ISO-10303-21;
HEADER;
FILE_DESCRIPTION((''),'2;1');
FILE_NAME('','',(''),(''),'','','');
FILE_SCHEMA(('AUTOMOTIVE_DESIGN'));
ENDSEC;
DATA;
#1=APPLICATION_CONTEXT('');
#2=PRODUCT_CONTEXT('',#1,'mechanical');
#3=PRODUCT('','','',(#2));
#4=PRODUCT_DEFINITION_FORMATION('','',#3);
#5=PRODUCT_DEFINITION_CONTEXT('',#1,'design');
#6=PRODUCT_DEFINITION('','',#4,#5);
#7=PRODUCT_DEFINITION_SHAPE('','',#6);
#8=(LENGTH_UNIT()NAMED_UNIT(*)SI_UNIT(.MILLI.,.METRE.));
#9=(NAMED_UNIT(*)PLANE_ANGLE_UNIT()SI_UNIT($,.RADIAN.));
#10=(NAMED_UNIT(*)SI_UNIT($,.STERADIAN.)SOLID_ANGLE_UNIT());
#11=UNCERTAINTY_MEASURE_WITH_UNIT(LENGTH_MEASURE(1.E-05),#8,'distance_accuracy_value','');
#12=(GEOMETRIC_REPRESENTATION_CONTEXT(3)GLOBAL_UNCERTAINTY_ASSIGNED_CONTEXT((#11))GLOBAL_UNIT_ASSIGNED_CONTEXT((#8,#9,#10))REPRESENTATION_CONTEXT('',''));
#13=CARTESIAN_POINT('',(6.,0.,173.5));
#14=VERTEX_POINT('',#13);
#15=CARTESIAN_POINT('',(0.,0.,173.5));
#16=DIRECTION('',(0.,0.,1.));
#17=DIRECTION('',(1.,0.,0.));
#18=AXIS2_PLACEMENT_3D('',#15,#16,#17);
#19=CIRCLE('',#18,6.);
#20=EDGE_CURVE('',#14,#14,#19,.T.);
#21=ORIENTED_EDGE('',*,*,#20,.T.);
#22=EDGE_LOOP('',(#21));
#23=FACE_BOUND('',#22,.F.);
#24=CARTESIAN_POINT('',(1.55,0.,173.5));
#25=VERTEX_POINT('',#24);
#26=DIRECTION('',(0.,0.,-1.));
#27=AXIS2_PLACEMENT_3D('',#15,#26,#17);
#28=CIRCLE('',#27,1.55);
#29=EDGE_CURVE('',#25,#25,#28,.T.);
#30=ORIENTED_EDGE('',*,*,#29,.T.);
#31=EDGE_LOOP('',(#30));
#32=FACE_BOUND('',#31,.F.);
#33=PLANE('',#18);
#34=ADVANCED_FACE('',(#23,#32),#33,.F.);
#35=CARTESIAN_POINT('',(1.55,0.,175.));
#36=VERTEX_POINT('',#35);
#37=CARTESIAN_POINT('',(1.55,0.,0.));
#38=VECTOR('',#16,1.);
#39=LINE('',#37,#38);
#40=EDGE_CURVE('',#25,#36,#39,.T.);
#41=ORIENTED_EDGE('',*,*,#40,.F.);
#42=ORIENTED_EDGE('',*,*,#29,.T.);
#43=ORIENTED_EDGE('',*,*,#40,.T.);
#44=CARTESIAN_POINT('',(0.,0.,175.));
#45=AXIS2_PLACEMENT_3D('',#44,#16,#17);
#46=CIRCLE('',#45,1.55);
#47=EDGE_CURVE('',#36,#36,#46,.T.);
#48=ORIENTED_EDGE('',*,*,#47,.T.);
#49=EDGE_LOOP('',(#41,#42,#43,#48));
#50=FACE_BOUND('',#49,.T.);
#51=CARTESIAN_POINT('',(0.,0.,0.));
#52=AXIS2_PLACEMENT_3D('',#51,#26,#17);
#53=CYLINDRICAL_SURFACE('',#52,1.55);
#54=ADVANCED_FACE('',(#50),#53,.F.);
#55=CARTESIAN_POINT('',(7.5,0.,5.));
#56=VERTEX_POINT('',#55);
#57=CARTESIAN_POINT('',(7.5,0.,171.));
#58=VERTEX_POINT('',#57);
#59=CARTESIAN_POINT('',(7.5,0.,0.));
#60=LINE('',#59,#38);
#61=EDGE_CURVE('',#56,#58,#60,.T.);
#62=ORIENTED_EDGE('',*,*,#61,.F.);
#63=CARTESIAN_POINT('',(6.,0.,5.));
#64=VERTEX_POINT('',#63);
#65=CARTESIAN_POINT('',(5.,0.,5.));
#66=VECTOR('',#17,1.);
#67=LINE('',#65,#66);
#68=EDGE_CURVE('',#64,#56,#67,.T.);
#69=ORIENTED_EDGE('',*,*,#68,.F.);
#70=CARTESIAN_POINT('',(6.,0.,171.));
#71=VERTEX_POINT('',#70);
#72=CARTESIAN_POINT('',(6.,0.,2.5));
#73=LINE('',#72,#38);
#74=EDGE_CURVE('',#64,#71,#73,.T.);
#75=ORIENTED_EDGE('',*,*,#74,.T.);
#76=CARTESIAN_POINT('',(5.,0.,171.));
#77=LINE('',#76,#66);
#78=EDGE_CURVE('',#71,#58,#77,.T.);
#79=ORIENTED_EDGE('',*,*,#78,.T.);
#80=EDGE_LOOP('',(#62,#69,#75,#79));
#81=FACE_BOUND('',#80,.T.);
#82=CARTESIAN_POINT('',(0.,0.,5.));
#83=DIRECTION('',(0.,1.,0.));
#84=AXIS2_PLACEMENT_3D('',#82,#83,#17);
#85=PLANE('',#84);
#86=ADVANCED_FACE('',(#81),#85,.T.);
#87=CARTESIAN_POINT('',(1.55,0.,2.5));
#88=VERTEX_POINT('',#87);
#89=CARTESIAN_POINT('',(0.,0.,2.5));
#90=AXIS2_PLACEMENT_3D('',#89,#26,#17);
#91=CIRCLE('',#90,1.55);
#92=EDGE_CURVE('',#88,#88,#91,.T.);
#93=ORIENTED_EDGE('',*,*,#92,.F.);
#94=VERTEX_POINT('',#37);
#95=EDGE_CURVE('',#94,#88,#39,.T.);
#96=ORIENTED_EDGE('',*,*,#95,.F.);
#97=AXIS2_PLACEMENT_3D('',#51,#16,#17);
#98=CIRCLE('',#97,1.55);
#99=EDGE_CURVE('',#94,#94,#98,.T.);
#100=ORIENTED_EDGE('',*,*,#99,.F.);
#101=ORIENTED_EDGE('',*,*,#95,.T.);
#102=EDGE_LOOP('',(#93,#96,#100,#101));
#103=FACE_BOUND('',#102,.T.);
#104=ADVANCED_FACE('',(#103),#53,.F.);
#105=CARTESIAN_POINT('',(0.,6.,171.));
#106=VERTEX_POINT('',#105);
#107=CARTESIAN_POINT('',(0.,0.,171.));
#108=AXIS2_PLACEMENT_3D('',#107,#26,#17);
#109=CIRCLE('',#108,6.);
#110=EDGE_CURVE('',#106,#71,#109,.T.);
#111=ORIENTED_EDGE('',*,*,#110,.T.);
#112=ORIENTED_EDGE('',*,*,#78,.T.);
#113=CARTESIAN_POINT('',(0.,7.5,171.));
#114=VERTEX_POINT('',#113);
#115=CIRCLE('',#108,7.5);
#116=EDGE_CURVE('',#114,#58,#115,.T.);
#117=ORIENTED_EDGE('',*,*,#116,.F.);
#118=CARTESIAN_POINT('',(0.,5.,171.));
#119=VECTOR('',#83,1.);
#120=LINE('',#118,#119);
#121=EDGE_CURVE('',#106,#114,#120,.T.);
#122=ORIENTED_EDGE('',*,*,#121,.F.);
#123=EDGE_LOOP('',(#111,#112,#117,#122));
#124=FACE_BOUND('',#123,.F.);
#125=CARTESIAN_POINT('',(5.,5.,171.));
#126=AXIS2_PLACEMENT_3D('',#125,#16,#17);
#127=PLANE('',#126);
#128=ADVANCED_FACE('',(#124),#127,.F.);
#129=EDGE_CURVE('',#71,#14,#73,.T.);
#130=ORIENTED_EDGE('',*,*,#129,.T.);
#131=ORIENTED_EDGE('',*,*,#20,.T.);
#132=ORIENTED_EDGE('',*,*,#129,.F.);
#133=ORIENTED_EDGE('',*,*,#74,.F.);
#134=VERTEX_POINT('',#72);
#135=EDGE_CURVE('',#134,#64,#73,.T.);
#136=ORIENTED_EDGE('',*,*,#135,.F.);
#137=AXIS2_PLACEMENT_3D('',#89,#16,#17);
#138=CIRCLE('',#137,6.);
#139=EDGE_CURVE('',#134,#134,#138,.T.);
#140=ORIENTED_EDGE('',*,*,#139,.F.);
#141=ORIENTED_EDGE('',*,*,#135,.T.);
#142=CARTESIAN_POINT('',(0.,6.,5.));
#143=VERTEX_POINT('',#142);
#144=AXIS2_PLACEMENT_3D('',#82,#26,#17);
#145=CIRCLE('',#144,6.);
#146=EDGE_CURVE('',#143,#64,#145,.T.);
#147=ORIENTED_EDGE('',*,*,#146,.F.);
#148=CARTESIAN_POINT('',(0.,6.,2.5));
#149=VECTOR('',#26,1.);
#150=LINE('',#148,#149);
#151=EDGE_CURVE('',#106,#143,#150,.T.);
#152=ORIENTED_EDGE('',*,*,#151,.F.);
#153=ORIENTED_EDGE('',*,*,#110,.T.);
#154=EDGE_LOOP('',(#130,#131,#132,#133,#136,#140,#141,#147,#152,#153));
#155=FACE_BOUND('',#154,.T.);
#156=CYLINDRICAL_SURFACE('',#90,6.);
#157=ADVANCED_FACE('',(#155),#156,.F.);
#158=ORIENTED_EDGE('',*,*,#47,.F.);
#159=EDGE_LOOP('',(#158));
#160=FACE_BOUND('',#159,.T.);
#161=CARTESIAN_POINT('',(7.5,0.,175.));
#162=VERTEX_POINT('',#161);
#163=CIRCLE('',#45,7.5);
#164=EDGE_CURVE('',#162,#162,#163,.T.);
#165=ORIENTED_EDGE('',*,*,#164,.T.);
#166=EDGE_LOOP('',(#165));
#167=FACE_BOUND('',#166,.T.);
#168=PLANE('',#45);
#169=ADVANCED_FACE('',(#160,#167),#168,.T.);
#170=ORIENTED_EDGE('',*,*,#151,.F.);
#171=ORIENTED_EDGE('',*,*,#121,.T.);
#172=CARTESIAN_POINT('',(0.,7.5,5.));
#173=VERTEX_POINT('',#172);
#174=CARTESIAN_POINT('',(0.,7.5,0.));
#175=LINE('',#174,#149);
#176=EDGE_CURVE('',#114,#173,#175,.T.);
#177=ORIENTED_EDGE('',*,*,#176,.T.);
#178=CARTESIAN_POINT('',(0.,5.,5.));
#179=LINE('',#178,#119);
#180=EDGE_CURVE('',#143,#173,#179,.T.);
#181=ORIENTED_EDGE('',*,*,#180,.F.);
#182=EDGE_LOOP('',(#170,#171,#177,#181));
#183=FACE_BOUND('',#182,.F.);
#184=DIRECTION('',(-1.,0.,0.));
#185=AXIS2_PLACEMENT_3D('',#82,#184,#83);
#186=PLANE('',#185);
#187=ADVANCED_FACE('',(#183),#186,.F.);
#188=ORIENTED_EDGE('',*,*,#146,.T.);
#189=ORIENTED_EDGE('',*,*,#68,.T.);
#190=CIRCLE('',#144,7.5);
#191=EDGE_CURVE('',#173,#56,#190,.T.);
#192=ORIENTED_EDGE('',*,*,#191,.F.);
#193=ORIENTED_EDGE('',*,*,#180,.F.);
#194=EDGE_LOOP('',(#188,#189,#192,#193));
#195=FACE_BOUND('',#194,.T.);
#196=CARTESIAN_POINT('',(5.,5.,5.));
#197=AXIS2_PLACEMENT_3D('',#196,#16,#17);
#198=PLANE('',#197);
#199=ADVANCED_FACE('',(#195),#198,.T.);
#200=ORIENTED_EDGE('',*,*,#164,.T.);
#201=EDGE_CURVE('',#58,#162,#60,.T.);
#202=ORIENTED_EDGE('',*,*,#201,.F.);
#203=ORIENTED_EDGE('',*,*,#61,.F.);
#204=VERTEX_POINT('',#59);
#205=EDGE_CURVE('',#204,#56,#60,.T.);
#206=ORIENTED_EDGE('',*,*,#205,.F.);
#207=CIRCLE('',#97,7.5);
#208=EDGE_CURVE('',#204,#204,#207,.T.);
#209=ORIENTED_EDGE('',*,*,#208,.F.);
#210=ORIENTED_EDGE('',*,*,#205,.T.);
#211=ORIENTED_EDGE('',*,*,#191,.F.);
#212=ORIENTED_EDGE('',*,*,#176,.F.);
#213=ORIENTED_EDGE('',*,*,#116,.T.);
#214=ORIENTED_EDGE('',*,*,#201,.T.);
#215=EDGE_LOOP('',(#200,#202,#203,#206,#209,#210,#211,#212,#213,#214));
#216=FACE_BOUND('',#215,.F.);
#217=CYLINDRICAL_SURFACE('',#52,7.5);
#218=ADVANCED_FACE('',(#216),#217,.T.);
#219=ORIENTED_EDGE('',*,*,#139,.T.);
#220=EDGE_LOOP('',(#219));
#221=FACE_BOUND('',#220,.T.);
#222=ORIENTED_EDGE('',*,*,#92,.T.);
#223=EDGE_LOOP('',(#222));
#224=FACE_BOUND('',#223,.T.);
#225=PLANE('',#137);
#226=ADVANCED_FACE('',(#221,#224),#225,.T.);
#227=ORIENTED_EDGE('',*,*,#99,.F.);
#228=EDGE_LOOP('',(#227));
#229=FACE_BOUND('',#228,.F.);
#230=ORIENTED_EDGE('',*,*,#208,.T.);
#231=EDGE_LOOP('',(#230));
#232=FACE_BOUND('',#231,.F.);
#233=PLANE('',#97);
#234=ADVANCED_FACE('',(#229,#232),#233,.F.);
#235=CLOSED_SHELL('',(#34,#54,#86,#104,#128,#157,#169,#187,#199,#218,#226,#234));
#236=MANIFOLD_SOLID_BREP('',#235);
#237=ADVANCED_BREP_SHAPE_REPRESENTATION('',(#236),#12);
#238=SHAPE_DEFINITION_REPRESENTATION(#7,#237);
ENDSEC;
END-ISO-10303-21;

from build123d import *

# Parameters (mm, degrees)
CYLINDER_R        = 7.5
CYLINDER_DEPTH    = 175
BOX_W             = 10
BOX_H             = 10
BOX_DEPTH         = 166
CYLINDER001_R     = 6
CYLINDER001_DEPTH = 171
CYLINDER002_R     = 1.55
CYLINDER002_DEPTH = 175


with BuildPart() as part:
    # Cylinder → Cylinder (join)
    with BuildSketch(Plane.XY):
        Circle(CYLINDER_R)
    extrude(amount=CYLINDER_DEPTH)

    # Box → Box (cut)
    with BuildSketch(Plane.XY.offset(5)):
        with Locations((5, 5)):
            Rectangle(BOX_W, BOX_H)
    extrude(amount=BOX_DEPTH, mode=Mode.SUBTRACT)

    # Cylinder001 → Cylinder001 (cut)
    with BuildSketch(Plane.XY.offset(2.5)):
        Circle(CYLINDER001_R)
    extrude(amount=CYLINDER001_DEPTH, mode=Mode.SUBTRACT)

    # Cylinder002 → Cylinder002 (cut)
    with BuildSketch(Plane.XY):
        Circle(CYLINDER002_R)
    extrude(amount=CYLINDER002_DEPTH, mode=Mode.SUBTRACT)


solid = part.part
